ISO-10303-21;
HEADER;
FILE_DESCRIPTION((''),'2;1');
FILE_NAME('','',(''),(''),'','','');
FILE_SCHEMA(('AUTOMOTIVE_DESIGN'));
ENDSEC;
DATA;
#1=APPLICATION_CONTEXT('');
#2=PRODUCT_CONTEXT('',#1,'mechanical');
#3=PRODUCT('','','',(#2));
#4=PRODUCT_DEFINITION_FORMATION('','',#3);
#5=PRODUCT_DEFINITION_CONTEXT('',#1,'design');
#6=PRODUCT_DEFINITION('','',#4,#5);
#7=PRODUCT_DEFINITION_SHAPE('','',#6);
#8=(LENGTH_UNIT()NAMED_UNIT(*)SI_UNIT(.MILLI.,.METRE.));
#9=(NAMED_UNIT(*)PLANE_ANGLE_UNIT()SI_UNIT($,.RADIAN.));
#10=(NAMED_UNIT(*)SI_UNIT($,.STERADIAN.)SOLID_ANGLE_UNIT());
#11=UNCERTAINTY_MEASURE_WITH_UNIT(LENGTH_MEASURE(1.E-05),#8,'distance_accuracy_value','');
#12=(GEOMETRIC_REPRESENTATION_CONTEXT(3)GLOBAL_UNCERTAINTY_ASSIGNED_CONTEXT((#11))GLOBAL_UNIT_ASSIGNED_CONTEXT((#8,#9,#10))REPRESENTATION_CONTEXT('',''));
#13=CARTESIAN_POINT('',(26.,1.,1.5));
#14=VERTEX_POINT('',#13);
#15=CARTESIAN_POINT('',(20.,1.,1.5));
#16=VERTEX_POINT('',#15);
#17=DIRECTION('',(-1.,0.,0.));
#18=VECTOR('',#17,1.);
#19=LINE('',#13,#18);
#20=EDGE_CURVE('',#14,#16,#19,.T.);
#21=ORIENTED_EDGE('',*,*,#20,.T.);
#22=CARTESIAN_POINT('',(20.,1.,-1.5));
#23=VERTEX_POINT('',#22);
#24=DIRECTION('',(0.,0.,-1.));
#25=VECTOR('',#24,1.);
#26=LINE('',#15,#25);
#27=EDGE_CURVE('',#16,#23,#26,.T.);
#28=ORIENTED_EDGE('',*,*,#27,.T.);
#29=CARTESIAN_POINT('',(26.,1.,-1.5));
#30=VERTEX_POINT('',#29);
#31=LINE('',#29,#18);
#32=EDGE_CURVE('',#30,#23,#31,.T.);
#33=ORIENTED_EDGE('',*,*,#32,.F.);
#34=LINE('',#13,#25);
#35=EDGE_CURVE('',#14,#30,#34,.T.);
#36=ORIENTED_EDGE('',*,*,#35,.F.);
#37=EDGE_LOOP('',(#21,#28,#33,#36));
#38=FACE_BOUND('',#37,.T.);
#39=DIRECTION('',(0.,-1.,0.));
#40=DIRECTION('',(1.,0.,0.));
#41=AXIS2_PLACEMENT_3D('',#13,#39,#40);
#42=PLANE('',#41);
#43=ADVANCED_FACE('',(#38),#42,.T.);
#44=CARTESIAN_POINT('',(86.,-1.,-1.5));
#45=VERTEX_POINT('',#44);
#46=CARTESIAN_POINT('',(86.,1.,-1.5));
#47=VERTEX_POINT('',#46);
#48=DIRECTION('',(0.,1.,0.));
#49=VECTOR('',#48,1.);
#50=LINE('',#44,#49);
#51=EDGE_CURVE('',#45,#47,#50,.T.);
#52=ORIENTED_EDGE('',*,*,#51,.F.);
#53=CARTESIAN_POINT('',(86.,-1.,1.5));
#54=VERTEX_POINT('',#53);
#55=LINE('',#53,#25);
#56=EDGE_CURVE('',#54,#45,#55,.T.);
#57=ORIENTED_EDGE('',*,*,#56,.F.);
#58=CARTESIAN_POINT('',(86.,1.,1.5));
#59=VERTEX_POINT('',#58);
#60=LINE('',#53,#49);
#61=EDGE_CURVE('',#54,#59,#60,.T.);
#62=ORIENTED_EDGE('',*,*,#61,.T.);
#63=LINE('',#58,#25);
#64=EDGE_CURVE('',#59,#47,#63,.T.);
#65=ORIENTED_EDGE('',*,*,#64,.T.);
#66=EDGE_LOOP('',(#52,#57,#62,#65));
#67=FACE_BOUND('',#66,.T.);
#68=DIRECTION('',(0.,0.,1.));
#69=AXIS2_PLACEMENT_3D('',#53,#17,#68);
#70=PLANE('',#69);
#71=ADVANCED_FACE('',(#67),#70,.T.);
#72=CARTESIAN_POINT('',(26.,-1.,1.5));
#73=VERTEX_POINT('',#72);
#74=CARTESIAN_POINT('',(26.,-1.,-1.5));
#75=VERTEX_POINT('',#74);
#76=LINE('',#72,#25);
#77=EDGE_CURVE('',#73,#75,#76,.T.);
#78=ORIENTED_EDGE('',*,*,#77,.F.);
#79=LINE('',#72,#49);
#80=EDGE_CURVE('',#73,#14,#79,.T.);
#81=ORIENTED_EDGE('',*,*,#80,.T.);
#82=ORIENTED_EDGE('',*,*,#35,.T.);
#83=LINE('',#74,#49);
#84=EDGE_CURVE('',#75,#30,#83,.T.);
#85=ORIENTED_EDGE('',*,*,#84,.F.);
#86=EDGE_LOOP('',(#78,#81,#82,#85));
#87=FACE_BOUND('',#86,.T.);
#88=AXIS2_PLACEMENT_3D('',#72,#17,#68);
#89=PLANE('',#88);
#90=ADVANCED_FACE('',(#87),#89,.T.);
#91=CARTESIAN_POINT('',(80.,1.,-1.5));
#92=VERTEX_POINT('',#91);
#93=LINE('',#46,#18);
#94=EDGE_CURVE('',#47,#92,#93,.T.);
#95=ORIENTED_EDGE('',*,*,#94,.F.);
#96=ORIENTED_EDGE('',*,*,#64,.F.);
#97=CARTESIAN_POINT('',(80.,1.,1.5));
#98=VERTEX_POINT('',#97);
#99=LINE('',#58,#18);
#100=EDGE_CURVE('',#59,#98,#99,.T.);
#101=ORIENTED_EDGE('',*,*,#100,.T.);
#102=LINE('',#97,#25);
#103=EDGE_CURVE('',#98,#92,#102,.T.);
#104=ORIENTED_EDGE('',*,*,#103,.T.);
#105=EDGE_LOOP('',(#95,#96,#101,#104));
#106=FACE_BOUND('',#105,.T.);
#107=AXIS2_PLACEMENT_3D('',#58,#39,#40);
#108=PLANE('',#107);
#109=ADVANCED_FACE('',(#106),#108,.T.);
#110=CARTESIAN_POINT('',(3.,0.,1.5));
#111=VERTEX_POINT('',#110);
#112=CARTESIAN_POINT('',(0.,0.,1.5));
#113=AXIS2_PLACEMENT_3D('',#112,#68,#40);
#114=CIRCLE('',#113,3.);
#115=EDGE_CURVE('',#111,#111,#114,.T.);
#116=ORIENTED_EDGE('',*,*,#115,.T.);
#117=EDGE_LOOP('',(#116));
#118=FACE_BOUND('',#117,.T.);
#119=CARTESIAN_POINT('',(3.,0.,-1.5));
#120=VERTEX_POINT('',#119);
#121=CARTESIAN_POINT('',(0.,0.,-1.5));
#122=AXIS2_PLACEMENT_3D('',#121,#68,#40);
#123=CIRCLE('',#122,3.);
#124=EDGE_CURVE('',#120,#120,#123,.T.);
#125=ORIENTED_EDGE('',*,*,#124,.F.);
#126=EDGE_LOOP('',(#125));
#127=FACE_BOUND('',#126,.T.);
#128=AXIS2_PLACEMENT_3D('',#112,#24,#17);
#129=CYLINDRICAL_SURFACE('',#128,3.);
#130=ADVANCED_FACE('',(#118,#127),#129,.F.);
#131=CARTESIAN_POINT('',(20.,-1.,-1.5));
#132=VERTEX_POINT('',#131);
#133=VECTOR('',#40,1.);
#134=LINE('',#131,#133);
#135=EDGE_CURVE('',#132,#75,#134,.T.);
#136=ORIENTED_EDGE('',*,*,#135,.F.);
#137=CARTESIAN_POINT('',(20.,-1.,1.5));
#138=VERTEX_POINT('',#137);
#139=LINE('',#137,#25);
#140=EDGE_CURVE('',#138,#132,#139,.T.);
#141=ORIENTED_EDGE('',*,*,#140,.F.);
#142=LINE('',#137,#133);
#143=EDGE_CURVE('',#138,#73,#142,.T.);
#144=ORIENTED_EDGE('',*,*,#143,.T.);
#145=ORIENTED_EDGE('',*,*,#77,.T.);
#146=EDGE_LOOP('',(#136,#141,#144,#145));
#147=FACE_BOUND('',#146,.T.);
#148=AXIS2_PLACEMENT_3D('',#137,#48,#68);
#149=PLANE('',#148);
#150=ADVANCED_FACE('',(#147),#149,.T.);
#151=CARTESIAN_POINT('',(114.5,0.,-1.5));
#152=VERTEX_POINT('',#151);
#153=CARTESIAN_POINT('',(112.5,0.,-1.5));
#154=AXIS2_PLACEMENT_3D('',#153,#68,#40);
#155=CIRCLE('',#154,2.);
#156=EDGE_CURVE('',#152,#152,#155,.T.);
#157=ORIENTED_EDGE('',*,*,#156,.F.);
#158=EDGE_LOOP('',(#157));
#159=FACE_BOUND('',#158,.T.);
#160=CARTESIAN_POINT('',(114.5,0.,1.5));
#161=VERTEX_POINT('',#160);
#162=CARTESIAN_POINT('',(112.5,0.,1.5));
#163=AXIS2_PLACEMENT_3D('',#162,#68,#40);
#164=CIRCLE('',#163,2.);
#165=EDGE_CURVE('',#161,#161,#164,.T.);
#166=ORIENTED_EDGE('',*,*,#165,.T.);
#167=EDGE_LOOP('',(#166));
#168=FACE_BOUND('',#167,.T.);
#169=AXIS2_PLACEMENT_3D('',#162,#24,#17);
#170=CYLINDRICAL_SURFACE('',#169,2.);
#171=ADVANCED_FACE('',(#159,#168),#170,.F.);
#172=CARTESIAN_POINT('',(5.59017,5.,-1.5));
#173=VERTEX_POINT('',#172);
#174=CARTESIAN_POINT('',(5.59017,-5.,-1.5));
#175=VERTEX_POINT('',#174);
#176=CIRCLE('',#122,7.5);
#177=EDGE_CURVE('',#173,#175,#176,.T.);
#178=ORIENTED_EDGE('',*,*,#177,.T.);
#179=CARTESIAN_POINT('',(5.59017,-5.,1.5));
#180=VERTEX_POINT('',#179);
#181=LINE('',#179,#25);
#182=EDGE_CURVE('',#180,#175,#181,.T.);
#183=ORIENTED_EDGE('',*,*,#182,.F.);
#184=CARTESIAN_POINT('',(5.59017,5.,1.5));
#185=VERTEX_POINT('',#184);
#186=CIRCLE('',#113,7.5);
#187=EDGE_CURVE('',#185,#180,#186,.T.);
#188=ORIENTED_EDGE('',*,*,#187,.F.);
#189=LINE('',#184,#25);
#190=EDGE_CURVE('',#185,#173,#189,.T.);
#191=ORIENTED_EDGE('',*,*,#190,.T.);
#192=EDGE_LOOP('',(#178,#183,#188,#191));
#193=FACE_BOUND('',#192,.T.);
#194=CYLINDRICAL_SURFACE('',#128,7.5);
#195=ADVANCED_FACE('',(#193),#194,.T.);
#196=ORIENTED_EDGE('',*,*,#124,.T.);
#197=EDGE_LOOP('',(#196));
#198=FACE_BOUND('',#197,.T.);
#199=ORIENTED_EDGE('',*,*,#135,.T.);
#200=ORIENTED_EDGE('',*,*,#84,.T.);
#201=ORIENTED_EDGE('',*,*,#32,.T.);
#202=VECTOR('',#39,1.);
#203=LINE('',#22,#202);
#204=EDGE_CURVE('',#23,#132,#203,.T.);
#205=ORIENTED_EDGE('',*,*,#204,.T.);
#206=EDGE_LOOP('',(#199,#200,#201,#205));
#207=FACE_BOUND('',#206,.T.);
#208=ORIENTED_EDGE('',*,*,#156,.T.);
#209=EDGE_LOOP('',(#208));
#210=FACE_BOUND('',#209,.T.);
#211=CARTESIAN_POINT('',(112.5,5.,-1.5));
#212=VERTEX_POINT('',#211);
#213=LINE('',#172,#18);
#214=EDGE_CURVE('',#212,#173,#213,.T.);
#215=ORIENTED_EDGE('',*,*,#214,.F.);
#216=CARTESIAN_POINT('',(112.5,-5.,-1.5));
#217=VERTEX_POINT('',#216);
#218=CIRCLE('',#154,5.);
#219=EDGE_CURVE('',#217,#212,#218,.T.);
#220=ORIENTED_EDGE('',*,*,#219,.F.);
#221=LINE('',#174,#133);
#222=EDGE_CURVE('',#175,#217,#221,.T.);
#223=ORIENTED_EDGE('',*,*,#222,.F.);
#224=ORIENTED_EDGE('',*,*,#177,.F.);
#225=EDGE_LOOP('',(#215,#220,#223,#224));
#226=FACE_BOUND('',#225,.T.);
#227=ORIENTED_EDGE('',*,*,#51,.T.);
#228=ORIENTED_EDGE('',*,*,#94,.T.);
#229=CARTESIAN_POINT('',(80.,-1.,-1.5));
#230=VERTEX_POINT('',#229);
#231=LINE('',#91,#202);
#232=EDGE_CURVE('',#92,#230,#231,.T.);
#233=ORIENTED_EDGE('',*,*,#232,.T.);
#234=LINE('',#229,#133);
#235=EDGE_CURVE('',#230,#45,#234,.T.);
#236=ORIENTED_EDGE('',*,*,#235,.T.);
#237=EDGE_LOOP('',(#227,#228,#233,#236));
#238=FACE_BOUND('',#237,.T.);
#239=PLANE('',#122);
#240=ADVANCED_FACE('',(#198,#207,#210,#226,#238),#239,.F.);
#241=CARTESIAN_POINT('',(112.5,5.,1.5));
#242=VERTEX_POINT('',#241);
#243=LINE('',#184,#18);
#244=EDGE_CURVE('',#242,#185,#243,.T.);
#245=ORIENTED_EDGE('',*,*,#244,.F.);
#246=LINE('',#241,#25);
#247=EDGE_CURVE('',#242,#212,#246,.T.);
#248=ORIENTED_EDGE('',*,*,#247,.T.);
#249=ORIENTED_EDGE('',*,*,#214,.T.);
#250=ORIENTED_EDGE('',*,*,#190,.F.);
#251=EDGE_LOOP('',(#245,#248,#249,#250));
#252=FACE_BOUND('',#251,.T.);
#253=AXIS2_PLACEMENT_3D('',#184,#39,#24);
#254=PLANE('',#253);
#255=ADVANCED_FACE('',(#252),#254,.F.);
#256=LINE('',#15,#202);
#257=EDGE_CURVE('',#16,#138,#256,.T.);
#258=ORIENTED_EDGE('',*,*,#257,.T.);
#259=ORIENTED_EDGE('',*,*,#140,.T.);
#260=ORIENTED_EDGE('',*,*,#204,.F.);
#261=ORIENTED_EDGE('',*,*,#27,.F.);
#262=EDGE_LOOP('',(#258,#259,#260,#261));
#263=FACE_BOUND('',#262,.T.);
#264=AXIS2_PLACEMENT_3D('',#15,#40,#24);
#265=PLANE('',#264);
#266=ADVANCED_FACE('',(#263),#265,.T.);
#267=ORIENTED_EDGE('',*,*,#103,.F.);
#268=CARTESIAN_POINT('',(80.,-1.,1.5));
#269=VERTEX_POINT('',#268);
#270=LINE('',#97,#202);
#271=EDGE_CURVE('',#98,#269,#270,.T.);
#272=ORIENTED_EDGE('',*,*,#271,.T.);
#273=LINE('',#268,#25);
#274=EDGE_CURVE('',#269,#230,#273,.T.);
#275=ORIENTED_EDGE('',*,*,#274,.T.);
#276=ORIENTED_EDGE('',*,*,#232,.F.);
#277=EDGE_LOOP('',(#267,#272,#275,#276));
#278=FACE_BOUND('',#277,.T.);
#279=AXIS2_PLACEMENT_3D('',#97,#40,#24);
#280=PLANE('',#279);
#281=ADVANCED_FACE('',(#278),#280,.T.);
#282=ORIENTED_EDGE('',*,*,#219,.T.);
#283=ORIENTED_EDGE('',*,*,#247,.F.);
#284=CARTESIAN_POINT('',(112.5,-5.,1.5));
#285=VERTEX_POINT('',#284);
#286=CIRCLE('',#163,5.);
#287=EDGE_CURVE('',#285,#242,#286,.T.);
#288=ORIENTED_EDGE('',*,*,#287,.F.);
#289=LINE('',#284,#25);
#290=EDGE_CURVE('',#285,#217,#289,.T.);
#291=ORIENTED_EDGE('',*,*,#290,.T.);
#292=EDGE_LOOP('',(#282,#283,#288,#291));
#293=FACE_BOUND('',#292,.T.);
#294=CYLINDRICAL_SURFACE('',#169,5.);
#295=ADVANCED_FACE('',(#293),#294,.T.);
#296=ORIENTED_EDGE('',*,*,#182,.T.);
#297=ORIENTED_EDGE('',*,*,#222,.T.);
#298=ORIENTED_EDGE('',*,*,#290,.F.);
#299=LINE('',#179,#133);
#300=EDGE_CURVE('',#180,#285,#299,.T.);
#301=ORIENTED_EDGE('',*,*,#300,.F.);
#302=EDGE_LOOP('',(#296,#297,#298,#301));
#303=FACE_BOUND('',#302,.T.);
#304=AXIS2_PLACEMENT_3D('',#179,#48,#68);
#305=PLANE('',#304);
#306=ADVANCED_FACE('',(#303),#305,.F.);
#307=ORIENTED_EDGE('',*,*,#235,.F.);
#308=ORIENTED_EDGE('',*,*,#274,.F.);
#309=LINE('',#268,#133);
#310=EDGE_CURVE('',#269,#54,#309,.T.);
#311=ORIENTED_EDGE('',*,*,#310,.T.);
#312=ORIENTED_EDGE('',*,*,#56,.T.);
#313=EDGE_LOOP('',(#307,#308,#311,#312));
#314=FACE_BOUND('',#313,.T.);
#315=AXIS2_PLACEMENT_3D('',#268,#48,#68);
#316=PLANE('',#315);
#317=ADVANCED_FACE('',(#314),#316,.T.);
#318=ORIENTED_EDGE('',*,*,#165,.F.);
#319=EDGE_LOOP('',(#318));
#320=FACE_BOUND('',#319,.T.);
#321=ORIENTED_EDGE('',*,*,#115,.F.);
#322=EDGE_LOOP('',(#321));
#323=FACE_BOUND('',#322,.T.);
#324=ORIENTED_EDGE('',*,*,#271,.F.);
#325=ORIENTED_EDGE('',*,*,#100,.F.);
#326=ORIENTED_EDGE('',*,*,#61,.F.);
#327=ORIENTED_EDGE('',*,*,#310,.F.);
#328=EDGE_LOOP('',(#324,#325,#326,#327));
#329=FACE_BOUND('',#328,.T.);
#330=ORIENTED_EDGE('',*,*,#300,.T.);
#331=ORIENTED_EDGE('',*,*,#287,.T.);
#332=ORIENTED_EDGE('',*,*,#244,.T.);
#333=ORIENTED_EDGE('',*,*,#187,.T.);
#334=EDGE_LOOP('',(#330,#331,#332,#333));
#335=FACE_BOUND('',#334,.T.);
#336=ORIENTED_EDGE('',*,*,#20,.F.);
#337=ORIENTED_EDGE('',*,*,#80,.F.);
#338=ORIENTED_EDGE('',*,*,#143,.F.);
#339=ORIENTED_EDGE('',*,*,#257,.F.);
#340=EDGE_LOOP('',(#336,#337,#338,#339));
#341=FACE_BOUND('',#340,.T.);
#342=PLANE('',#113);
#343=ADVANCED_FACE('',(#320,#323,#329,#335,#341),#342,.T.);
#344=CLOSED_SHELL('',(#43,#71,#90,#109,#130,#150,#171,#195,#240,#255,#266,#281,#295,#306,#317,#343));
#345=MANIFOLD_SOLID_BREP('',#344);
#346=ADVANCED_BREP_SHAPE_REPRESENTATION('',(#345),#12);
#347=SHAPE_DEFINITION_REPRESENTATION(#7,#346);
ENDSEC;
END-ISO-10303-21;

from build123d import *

# Parameters (mm, degrees)
SKETCH_1_R      = 2
SKETCH_1_R_2    = 3
SKETCH_1_W      = 6
SKETCH_1_H      = 2
EXTRUDE_1_DEPTH = 1.5


with BuildPart() as part:
    # 草图1 → 凸台-拉伸1 (new, symmetric)
    with BuildSketch(Plane.XY):
        with BuildLine():
            Line((5.590169944, 5), (112.5, 5))
            ThreePointArc((112.5, 5), (117.5, 0), (112.5, -5))
            Line((112.5, -5), (5.590169944, -5))
            ThreePointArc((5.590169944, -5), (-7.5, 0), (5.590169944, 5))
        make_face()
        with Locations((112.5, 0)):
            Circle(SKETCH_1_R, mode=Mode.SUBTRACT)
        Circle(SKETCH_1_R_2, mode=Mode.SUBTRACT)
        with Locations((23, 0)):
            Rectangle(SKETCH_1_W, SKETCH_1_H, mode=Mode.SUBTRACT)
        with Locations((83, 0)):
            Rectangle(SKETCH_1_W, SKETCH_1_H, mode=Mode.SUBTRACT)
    extrude(amount=EXTRUDE_1_DEPTH, both=True)


solid = part.part
